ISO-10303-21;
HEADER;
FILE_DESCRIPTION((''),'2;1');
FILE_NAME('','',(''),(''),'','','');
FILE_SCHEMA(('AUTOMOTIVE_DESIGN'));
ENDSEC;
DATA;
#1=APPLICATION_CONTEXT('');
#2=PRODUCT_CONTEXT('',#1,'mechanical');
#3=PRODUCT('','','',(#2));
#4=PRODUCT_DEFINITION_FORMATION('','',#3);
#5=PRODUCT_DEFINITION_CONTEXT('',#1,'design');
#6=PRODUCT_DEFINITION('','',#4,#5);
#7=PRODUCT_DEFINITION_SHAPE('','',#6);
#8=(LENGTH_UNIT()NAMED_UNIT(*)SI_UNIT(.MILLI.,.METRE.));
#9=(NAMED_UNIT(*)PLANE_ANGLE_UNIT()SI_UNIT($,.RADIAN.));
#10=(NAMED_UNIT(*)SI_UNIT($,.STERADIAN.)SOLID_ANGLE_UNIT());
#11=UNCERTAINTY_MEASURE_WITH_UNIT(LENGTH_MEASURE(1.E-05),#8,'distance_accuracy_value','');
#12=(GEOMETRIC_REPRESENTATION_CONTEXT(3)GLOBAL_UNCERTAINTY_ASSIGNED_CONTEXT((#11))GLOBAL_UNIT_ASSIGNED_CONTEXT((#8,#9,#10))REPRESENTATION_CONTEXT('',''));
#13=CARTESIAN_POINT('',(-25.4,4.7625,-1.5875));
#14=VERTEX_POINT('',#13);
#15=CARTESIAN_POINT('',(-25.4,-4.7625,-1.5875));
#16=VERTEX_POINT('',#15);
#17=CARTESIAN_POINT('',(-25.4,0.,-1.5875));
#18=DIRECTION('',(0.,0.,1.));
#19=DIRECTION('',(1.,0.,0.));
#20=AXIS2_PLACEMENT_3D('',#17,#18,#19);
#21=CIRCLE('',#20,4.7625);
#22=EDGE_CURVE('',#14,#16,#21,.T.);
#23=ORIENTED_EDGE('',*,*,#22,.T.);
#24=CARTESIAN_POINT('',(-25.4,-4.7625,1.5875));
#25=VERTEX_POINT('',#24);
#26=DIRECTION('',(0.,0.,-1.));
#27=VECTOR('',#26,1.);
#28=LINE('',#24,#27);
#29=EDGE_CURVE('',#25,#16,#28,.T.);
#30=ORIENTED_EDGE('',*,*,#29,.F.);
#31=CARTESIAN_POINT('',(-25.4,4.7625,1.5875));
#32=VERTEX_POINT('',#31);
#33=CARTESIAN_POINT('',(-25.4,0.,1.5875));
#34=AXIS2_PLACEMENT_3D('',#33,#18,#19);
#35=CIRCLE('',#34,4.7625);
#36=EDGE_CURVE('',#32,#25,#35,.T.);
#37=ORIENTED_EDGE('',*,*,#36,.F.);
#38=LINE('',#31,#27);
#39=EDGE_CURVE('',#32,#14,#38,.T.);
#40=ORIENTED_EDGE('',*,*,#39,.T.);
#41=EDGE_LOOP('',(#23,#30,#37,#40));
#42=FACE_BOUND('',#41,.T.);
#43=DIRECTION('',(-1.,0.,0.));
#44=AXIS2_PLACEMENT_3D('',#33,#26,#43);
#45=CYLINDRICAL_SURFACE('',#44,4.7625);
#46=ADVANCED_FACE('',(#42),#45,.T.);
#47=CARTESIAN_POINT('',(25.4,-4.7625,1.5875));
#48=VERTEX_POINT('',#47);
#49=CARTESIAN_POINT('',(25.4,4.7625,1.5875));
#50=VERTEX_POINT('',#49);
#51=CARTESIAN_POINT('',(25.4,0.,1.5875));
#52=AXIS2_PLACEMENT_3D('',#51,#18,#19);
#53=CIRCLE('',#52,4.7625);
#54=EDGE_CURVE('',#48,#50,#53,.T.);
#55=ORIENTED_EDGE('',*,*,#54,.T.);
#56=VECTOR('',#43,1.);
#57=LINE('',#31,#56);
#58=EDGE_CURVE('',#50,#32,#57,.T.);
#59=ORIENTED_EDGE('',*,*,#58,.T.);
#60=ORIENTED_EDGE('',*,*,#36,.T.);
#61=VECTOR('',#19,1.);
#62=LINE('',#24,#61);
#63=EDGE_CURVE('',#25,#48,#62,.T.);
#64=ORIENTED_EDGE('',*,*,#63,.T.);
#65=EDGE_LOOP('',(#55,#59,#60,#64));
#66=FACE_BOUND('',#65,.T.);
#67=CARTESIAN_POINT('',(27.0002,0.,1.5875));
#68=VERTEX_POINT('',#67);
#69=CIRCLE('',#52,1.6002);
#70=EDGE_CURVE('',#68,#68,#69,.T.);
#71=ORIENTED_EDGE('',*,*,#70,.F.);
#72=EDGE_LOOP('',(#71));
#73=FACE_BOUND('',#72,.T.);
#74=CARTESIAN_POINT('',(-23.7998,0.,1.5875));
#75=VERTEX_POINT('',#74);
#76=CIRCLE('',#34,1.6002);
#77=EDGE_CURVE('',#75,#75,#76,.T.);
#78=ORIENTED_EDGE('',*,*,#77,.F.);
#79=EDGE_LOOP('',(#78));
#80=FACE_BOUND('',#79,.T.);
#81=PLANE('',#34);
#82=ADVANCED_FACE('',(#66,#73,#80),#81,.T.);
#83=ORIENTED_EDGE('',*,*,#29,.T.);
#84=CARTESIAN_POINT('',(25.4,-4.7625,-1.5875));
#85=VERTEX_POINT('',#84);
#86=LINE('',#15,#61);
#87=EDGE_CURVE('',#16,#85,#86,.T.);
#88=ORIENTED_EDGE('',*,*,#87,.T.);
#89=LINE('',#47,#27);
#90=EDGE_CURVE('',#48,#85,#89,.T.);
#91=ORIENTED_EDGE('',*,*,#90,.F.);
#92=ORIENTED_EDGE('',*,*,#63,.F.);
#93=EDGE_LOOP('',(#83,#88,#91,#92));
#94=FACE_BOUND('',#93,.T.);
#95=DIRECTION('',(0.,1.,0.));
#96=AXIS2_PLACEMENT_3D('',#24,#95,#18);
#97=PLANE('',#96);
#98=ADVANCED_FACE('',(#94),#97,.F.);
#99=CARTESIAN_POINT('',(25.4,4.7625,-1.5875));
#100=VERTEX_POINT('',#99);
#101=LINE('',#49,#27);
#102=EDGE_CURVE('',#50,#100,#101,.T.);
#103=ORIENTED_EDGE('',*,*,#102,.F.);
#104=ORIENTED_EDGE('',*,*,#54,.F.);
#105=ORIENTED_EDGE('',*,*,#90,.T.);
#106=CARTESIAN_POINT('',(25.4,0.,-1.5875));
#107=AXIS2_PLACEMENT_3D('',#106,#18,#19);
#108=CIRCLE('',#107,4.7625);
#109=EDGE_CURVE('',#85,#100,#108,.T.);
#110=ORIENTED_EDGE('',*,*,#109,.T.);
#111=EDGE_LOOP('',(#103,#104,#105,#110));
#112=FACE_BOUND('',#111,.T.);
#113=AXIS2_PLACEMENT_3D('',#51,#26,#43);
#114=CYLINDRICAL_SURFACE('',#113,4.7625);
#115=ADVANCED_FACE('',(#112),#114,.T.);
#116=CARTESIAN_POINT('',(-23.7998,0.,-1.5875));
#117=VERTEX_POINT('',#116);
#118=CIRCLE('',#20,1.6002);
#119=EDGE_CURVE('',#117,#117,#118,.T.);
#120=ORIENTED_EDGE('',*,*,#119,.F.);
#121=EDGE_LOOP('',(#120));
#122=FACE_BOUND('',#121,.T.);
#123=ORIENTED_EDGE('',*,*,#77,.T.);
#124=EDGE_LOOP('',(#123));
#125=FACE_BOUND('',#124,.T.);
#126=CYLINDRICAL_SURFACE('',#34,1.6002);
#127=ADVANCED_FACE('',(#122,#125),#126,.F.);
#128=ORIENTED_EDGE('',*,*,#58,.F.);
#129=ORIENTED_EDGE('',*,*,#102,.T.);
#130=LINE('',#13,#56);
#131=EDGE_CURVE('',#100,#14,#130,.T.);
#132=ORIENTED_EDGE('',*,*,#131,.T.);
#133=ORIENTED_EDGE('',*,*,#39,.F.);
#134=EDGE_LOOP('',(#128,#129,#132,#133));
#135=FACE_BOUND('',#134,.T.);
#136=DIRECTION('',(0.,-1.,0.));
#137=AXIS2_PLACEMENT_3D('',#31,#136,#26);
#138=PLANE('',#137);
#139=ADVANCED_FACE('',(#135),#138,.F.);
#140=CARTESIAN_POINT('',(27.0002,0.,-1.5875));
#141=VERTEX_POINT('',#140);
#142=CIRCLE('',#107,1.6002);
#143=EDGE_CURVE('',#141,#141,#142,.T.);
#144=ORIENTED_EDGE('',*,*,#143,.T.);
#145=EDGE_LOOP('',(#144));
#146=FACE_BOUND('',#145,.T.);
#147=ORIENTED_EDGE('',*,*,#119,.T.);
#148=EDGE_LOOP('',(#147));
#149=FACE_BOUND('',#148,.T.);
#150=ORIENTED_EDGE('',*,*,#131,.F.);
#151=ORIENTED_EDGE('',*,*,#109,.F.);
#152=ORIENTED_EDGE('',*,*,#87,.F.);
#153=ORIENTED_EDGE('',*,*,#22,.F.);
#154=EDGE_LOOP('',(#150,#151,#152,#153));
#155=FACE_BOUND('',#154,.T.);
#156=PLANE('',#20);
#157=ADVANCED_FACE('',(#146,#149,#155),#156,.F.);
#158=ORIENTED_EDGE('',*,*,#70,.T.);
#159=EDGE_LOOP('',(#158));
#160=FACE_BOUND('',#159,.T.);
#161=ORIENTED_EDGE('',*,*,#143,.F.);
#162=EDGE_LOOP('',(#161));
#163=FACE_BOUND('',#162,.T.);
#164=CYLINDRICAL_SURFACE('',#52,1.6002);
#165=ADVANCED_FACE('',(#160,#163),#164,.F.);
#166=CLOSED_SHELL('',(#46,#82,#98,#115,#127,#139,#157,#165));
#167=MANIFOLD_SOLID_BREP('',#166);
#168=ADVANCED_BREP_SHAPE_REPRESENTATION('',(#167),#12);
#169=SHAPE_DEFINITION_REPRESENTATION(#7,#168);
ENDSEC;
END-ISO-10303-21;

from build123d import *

# Parameters (mm, degrees)
BOSS_EXTRUDE1_DEPTH       = 1.5875
F_1_8_0_126_DOWEL_HOLE1_D = 3.2004


with BuildPart() as part:
    # Sketch1 → Boss-Extrude1 (new body, symmetric)
    with BuildSketch(Plane.XY):
        with BuildLine():
            Line((-25.4, 4.7625), (25.4, 4.7625))
            ThreePointArc((25.4, 4.7625), (30.1625, 0), (25.4, -4.7625))
            Line((25.4, -4.7625), (-25.4, -4.7625))
            ThreePointArc((-25.4, -4.7625), (-30.1625, 0), (-25.4, 4.7625))
        make_face()
    extrude(amount=BOSS_EXTRUDE1_DEPTH, both=True)

    # 1/8 (0.126) Dowel Hole1 (through all)
    with Locations(Plane.XY.offset(1.5875)):
        with Locations((-25.4, 0), (25.4, 0)):
            Hole(F_1_8_0_126_DOWEL_HOLE1_D / 2)


solid = part.part
